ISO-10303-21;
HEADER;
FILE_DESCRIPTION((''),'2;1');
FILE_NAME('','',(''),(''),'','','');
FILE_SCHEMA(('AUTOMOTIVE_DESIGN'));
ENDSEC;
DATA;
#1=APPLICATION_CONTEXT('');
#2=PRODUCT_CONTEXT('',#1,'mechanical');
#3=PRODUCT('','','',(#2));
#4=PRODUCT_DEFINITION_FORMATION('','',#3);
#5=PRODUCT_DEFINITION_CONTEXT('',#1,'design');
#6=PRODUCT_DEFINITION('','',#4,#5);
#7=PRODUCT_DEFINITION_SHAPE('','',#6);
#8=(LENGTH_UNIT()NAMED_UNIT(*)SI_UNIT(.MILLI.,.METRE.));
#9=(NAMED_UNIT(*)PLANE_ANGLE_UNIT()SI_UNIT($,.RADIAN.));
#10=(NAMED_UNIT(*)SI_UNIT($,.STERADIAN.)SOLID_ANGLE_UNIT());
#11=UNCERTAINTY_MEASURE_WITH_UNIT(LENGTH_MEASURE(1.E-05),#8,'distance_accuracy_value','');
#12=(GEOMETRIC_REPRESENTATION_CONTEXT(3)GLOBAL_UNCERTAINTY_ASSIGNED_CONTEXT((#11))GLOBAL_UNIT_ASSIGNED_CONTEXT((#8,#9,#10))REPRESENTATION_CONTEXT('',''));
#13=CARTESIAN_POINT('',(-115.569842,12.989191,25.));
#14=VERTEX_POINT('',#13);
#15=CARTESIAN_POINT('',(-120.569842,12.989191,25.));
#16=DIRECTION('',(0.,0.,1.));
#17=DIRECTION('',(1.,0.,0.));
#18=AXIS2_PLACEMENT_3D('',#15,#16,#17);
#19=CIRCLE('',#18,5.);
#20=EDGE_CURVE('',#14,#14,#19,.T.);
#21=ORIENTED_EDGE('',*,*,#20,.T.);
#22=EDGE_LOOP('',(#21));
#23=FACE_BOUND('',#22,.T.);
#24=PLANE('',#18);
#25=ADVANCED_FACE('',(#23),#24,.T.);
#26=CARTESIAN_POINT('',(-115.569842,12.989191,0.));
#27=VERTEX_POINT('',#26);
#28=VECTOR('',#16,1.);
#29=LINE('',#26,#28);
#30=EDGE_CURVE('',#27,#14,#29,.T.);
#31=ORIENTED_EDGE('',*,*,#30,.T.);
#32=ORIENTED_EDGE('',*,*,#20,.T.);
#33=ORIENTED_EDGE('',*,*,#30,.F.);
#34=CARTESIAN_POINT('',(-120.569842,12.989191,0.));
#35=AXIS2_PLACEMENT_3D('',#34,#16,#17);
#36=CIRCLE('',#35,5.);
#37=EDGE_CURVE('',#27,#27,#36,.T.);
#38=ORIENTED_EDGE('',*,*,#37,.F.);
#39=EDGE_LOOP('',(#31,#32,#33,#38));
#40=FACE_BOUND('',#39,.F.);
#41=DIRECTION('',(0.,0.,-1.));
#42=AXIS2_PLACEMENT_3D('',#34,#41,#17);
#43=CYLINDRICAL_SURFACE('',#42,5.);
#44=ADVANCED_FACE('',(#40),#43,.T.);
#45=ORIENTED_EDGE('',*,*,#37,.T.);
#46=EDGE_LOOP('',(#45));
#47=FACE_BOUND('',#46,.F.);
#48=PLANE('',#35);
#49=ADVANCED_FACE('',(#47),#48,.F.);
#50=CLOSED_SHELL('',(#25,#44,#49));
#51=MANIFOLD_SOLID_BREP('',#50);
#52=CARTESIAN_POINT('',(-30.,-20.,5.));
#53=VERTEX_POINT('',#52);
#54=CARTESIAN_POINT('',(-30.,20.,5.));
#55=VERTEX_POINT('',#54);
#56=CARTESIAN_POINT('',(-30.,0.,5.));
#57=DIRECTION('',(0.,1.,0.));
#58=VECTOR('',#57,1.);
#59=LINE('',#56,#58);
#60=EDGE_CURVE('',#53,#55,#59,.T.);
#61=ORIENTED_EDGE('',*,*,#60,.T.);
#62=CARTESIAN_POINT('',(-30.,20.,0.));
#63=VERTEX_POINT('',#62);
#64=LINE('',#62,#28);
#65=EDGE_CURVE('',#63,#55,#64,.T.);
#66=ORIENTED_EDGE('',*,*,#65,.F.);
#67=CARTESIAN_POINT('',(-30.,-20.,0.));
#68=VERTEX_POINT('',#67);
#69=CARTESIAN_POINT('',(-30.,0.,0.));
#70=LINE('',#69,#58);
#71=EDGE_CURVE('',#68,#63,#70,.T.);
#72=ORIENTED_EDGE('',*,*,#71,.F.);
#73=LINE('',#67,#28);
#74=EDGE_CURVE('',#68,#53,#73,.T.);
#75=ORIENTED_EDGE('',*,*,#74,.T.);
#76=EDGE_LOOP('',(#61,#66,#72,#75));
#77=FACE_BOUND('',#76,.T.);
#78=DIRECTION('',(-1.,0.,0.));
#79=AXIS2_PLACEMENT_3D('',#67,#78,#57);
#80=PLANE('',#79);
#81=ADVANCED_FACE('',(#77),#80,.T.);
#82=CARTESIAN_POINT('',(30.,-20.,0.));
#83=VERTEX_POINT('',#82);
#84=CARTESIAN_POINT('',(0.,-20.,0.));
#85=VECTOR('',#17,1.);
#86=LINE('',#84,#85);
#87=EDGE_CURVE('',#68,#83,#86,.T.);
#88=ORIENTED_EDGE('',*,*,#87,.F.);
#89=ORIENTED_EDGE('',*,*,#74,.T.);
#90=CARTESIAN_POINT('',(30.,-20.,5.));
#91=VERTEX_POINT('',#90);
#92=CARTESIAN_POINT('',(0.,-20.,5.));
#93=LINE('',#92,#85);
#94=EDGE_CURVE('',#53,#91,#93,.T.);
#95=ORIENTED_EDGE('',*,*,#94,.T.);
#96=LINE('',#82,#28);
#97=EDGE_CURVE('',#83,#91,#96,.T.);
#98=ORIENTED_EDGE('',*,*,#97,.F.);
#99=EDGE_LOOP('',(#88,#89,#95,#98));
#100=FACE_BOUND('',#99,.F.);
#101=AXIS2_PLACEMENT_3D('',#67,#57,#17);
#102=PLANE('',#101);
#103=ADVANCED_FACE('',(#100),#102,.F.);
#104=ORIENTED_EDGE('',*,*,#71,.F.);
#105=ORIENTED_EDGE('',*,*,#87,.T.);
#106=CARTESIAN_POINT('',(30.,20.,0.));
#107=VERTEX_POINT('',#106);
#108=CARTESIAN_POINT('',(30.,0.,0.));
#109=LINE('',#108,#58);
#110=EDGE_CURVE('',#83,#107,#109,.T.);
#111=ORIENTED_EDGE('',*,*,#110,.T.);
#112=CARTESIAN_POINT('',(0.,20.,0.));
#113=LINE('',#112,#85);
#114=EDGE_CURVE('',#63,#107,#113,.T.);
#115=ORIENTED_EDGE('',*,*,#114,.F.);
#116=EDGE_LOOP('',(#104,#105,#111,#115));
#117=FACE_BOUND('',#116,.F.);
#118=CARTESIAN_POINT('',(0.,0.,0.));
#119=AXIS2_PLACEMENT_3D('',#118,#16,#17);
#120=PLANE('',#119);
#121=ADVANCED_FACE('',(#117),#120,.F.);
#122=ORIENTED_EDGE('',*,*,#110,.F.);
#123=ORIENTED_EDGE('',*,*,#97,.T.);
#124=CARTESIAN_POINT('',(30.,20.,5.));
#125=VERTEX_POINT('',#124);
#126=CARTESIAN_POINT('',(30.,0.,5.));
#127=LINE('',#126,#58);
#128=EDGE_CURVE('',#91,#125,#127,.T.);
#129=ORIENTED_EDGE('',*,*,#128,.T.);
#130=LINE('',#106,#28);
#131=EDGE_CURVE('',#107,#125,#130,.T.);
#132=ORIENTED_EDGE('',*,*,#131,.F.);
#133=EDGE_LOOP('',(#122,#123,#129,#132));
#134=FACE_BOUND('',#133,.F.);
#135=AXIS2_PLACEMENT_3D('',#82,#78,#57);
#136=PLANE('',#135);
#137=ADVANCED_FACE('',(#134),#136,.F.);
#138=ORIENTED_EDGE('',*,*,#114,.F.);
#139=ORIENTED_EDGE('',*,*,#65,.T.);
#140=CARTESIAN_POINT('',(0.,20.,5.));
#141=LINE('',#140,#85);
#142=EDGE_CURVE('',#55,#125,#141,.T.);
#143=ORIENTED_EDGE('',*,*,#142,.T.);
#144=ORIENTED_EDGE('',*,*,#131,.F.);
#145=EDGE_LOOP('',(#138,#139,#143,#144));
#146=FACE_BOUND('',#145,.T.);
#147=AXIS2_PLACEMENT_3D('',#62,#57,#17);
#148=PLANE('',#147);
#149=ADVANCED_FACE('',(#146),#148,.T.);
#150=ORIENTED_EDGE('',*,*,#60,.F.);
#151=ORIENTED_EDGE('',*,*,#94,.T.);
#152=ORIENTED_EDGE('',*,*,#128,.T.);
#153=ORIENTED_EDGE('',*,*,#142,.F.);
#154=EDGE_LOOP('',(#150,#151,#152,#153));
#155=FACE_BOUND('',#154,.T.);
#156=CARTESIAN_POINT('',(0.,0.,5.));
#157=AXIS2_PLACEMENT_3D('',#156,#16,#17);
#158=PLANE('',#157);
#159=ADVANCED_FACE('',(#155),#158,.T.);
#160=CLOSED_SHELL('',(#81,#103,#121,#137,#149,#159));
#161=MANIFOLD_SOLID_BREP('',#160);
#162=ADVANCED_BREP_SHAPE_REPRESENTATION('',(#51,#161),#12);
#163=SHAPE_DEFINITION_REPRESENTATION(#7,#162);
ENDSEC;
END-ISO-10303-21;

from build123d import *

# Parameters (mm, degrees)
F0_W     = 60
F0_H     = 40
F1_DEPTH = 5
F0_R     = 5
F2_DEPTH = 25


with BuildPart() as f1:
    # F0 (on Top) → F1 (new body)
    with BuildSketch(Plane.XY):
        Rectangle(F0_W, F0_H)
    extrude(amount=F1_DEPTH)


with BuildPart() as f2:
    # F0 (on Top) → F2 (new body)
    with BuildSketch(Plane.XY):
        with Locations((-120.569842, 12.989191)):
            Circle(F0_R)
    extrude(amount=F2_DEPTH)


solid = Compound([f1.part, f2.part])
